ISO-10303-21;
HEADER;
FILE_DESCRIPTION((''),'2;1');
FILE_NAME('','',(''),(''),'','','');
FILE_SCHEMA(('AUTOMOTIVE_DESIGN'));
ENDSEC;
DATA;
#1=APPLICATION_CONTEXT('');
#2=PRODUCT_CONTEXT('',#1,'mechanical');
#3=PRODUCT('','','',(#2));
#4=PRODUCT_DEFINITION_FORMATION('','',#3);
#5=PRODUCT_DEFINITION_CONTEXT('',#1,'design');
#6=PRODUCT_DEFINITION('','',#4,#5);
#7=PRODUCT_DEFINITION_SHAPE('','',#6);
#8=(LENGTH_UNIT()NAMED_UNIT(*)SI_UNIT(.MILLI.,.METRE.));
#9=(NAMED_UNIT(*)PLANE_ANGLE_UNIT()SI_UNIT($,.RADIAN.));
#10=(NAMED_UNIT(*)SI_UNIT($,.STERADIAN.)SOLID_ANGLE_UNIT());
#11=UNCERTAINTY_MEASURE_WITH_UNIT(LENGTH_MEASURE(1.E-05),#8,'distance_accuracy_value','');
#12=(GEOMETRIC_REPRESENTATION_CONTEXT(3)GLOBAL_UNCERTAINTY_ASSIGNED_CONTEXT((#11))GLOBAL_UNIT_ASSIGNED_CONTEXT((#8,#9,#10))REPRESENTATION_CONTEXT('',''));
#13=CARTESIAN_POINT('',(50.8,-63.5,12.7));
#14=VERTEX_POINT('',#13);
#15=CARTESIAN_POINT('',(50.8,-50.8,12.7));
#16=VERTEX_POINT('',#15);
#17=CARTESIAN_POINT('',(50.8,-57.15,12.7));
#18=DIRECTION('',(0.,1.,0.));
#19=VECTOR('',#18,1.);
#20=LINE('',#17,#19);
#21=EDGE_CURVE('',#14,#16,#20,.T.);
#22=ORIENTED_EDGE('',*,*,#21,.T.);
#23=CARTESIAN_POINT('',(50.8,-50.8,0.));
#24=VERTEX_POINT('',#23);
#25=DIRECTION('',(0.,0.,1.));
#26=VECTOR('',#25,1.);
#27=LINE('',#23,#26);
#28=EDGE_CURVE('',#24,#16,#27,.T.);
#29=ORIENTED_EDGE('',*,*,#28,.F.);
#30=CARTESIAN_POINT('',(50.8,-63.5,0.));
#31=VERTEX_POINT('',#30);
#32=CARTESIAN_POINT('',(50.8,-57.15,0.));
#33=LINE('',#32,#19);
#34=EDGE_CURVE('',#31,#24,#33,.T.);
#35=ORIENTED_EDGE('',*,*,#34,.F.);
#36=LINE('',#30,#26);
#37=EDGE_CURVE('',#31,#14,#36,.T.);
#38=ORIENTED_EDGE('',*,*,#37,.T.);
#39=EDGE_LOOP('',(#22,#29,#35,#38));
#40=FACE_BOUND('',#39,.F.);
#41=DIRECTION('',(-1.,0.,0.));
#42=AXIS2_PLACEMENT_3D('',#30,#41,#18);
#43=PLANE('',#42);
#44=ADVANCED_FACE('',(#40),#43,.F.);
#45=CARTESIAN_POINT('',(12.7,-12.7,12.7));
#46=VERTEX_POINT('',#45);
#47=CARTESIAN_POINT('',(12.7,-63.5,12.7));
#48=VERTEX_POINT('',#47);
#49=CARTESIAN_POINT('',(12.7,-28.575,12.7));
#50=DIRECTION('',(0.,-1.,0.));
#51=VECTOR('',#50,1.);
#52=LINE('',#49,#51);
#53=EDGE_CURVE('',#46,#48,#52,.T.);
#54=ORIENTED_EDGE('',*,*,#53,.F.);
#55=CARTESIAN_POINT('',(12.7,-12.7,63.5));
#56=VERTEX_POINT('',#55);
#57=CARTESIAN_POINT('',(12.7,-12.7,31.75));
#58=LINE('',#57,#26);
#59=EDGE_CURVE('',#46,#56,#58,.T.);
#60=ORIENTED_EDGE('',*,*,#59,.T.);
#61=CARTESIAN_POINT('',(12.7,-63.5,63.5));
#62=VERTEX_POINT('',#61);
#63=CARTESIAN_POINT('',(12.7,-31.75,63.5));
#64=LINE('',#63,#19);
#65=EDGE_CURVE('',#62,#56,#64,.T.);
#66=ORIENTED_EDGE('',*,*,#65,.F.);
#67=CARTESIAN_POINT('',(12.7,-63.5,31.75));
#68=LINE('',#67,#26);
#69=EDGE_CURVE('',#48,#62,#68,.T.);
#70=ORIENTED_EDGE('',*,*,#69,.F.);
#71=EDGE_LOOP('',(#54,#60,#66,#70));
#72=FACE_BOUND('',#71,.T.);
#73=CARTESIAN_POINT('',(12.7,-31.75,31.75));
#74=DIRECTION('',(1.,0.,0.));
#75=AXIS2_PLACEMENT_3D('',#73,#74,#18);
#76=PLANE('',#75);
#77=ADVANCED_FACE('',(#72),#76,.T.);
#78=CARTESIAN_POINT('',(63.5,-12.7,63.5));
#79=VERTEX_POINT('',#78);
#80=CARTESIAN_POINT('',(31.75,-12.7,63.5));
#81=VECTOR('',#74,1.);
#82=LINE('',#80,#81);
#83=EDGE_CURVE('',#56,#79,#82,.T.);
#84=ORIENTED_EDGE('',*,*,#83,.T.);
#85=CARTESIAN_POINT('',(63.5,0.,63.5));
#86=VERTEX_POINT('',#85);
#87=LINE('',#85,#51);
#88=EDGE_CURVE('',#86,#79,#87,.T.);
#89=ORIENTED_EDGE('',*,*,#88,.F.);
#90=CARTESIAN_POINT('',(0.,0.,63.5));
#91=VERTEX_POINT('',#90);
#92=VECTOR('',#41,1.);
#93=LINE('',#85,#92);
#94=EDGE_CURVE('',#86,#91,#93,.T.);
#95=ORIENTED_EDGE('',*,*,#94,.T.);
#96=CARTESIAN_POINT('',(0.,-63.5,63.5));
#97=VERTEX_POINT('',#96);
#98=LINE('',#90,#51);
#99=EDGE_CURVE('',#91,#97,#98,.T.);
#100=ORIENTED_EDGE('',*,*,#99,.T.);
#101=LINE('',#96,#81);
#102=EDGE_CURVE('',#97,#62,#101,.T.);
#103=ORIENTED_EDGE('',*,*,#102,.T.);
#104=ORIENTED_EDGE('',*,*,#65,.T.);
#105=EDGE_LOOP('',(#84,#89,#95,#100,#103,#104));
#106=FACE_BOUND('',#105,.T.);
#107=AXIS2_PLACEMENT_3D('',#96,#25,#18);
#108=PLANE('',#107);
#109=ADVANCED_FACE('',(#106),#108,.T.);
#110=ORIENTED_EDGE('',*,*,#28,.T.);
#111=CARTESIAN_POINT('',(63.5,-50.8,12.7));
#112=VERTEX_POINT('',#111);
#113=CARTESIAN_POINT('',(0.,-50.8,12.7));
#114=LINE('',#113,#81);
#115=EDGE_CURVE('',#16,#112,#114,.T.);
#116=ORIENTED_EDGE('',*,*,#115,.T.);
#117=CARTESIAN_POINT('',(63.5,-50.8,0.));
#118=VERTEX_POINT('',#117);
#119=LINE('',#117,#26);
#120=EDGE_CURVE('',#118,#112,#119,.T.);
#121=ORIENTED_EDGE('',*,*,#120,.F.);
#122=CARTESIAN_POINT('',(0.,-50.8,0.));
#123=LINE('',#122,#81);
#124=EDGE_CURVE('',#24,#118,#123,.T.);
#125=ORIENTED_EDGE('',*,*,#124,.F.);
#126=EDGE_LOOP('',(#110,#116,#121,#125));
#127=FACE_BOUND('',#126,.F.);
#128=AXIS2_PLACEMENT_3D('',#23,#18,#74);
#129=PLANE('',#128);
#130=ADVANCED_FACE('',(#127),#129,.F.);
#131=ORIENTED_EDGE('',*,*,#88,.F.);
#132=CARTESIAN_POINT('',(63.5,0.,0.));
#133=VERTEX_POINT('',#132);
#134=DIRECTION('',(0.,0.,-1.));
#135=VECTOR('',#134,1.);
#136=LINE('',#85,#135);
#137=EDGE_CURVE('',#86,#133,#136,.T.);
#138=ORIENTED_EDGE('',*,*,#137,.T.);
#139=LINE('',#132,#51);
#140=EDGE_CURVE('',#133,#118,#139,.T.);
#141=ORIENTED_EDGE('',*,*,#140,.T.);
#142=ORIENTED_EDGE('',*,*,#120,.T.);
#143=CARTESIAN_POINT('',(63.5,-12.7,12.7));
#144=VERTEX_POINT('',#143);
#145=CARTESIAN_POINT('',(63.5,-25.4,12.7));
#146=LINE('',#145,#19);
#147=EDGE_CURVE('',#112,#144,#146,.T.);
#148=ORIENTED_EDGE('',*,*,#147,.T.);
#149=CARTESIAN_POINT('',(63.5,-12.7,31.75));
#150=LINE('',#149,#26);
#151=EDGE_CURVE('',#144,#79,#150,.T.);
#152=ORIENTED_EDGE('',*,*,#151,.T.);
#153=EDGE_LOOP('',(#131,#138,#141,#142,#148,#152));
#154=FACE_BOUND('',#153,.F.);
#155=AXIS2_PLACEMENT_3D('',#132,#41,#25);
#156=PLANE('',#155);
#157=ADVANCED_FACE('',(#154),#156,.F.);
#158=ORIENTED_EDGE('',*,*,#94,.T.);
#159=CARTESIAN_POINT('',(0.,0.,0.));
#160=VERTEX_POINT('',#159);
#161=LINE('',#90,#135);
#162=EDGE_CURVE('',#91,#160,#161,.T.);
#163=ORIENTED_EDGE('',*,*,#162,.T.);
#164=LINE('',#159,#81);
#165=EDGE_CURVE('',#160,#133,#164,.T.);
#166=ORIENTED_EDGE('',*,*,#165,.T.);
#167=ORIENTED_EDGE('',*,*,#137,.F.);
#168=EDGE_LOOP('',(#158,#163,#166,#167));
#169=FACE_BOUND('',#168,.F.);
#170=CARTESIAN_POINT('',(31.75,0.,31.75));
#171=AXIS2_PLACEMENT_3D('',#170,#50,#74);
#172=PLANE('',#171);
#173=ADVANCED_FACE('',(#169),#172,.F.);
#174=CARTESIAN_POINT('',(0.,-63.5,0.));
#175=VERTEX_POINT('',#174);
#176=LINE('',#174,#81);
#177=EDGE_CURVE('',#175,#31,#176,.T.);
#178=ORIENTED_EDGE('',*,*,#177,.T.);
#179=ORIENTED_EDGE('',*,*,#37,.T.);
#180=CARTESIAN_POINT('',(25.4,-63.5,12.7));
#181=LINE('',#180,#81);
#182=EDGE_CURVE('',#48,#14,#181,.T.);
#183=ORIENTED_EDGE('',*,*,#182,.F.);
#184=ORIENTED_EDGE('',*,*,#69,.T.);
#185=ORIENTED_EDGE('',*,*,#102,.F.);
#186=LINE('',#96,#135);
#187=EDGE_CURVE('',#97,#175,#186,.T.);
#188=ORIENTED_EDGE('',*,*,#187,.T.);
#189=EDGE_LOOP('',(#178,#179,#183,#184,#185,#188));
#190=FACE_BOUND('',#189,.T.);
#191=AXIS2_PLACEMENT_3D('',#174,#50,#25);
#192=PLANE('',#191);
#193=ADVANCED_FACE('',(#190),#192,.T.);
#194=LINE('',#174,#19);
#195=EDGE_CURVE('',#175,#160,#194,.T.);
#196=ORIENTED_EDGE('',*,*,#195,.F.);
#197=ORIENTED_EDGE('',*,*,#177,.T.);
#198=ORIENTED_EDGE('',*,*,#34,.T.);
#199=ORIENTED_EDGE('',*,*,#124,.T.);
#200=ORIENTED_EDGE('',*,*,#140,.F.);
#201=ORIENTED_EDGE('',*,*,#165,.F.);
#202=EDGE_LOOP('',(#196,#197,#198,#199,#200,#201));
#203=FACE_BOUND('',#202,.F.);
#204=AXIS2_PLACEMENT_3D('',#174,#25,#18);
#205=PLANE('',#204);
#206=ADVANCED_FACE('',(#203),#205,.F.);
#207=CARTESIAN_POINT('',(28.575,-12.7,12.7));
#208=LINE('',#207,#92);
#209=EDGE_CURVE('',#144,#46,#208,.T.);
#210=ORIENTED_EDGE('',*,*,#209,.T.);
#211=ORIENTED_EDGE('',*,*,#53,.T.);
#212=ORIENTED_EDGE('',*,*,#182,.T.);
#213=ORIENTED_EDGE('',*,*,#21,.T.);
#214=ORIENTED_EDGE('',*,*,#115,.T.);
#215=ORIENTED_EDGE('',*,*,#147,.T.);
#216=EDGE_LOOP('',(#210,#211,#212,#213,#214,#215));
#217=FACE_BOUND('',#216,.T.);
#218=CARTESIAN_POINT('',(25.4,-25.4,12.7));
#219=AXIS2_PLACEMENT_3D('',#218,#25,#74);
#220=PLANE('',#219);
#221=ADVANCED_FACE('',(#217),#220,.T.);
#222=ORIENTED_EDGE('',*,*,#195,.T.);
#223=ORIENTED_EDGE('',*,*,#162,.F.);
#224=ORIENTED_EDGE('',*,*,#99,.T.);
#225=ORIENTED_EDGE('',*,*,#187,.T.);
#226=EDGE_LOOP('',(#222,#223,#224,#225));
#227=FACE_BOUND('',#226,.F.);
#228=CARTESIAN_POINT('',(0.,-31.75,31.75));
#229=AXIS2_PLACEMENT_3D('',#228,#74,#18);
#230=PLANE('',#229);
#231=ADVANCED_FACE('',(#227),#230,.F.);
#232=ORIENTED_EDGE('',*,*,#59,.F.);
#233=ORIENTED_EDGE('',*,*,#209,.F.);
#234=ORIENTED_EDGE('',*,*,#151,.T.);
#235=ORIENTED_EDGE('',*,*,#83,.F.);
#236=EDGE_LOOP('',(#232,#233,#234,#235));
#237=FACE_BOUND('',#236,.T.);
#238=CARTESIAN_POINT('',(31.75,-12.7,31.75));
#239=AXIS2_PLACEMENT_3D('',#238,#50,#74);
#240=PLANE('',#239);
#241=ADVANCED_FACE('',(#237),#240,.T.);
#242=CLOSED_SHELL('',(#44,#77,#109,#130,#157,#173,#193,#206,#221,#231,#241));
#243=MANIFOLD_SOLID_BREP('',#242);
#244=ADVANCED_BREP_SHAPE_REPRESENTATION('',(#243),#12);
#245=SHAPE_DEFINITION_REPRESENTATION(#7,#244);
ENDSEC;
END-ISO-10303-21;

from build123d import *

# Parameters (mm, degrees)
F0_W     = 63.5
F0_H     = 63.5
F3_DEPTH = 12.7
F1_W     = 63.5
F1_H     = 63.5
F4_DEPTH = 12.7
F2_W     = 50.8
F2_H     = 50.8
F2_W_2   = 12.7
F2_H_2   = 12.7
F5_DEPTH = 12.7


with BuildPart() as f3:
    # F0 (on Front) → F3 (new body)
    with BuildSketch(Plane.XZ):
        with Locations((31.75, 31.75)):
            Rectangle(F0_W, F0_H)
    extrude(amount=F3_DEPTH)

    # F1 (on Right) → F4 (join)
    with BuildSketch(Plane.YZ):
        with Locations((-31.75, 31.75)):
            Rectangle(F1_W, F1_H)
    extrude(amount=F4_DEPTH)

    # F2 (on Top) → F5 (join)
    with BuildSketch(Plane.XY):
        with Locations((25.4, -25.4)):
            Rectangle(F2_W, F2_H)
        with Locations((57.15, -25.4)):
            Rectangle(F2_W_2, F2_H)
        with Locations((25.4, -57.15)):
            Rectangle(F2_W, F2_H_2)
    extrude(amount=F5_DEPTH)


solid = f3.part
